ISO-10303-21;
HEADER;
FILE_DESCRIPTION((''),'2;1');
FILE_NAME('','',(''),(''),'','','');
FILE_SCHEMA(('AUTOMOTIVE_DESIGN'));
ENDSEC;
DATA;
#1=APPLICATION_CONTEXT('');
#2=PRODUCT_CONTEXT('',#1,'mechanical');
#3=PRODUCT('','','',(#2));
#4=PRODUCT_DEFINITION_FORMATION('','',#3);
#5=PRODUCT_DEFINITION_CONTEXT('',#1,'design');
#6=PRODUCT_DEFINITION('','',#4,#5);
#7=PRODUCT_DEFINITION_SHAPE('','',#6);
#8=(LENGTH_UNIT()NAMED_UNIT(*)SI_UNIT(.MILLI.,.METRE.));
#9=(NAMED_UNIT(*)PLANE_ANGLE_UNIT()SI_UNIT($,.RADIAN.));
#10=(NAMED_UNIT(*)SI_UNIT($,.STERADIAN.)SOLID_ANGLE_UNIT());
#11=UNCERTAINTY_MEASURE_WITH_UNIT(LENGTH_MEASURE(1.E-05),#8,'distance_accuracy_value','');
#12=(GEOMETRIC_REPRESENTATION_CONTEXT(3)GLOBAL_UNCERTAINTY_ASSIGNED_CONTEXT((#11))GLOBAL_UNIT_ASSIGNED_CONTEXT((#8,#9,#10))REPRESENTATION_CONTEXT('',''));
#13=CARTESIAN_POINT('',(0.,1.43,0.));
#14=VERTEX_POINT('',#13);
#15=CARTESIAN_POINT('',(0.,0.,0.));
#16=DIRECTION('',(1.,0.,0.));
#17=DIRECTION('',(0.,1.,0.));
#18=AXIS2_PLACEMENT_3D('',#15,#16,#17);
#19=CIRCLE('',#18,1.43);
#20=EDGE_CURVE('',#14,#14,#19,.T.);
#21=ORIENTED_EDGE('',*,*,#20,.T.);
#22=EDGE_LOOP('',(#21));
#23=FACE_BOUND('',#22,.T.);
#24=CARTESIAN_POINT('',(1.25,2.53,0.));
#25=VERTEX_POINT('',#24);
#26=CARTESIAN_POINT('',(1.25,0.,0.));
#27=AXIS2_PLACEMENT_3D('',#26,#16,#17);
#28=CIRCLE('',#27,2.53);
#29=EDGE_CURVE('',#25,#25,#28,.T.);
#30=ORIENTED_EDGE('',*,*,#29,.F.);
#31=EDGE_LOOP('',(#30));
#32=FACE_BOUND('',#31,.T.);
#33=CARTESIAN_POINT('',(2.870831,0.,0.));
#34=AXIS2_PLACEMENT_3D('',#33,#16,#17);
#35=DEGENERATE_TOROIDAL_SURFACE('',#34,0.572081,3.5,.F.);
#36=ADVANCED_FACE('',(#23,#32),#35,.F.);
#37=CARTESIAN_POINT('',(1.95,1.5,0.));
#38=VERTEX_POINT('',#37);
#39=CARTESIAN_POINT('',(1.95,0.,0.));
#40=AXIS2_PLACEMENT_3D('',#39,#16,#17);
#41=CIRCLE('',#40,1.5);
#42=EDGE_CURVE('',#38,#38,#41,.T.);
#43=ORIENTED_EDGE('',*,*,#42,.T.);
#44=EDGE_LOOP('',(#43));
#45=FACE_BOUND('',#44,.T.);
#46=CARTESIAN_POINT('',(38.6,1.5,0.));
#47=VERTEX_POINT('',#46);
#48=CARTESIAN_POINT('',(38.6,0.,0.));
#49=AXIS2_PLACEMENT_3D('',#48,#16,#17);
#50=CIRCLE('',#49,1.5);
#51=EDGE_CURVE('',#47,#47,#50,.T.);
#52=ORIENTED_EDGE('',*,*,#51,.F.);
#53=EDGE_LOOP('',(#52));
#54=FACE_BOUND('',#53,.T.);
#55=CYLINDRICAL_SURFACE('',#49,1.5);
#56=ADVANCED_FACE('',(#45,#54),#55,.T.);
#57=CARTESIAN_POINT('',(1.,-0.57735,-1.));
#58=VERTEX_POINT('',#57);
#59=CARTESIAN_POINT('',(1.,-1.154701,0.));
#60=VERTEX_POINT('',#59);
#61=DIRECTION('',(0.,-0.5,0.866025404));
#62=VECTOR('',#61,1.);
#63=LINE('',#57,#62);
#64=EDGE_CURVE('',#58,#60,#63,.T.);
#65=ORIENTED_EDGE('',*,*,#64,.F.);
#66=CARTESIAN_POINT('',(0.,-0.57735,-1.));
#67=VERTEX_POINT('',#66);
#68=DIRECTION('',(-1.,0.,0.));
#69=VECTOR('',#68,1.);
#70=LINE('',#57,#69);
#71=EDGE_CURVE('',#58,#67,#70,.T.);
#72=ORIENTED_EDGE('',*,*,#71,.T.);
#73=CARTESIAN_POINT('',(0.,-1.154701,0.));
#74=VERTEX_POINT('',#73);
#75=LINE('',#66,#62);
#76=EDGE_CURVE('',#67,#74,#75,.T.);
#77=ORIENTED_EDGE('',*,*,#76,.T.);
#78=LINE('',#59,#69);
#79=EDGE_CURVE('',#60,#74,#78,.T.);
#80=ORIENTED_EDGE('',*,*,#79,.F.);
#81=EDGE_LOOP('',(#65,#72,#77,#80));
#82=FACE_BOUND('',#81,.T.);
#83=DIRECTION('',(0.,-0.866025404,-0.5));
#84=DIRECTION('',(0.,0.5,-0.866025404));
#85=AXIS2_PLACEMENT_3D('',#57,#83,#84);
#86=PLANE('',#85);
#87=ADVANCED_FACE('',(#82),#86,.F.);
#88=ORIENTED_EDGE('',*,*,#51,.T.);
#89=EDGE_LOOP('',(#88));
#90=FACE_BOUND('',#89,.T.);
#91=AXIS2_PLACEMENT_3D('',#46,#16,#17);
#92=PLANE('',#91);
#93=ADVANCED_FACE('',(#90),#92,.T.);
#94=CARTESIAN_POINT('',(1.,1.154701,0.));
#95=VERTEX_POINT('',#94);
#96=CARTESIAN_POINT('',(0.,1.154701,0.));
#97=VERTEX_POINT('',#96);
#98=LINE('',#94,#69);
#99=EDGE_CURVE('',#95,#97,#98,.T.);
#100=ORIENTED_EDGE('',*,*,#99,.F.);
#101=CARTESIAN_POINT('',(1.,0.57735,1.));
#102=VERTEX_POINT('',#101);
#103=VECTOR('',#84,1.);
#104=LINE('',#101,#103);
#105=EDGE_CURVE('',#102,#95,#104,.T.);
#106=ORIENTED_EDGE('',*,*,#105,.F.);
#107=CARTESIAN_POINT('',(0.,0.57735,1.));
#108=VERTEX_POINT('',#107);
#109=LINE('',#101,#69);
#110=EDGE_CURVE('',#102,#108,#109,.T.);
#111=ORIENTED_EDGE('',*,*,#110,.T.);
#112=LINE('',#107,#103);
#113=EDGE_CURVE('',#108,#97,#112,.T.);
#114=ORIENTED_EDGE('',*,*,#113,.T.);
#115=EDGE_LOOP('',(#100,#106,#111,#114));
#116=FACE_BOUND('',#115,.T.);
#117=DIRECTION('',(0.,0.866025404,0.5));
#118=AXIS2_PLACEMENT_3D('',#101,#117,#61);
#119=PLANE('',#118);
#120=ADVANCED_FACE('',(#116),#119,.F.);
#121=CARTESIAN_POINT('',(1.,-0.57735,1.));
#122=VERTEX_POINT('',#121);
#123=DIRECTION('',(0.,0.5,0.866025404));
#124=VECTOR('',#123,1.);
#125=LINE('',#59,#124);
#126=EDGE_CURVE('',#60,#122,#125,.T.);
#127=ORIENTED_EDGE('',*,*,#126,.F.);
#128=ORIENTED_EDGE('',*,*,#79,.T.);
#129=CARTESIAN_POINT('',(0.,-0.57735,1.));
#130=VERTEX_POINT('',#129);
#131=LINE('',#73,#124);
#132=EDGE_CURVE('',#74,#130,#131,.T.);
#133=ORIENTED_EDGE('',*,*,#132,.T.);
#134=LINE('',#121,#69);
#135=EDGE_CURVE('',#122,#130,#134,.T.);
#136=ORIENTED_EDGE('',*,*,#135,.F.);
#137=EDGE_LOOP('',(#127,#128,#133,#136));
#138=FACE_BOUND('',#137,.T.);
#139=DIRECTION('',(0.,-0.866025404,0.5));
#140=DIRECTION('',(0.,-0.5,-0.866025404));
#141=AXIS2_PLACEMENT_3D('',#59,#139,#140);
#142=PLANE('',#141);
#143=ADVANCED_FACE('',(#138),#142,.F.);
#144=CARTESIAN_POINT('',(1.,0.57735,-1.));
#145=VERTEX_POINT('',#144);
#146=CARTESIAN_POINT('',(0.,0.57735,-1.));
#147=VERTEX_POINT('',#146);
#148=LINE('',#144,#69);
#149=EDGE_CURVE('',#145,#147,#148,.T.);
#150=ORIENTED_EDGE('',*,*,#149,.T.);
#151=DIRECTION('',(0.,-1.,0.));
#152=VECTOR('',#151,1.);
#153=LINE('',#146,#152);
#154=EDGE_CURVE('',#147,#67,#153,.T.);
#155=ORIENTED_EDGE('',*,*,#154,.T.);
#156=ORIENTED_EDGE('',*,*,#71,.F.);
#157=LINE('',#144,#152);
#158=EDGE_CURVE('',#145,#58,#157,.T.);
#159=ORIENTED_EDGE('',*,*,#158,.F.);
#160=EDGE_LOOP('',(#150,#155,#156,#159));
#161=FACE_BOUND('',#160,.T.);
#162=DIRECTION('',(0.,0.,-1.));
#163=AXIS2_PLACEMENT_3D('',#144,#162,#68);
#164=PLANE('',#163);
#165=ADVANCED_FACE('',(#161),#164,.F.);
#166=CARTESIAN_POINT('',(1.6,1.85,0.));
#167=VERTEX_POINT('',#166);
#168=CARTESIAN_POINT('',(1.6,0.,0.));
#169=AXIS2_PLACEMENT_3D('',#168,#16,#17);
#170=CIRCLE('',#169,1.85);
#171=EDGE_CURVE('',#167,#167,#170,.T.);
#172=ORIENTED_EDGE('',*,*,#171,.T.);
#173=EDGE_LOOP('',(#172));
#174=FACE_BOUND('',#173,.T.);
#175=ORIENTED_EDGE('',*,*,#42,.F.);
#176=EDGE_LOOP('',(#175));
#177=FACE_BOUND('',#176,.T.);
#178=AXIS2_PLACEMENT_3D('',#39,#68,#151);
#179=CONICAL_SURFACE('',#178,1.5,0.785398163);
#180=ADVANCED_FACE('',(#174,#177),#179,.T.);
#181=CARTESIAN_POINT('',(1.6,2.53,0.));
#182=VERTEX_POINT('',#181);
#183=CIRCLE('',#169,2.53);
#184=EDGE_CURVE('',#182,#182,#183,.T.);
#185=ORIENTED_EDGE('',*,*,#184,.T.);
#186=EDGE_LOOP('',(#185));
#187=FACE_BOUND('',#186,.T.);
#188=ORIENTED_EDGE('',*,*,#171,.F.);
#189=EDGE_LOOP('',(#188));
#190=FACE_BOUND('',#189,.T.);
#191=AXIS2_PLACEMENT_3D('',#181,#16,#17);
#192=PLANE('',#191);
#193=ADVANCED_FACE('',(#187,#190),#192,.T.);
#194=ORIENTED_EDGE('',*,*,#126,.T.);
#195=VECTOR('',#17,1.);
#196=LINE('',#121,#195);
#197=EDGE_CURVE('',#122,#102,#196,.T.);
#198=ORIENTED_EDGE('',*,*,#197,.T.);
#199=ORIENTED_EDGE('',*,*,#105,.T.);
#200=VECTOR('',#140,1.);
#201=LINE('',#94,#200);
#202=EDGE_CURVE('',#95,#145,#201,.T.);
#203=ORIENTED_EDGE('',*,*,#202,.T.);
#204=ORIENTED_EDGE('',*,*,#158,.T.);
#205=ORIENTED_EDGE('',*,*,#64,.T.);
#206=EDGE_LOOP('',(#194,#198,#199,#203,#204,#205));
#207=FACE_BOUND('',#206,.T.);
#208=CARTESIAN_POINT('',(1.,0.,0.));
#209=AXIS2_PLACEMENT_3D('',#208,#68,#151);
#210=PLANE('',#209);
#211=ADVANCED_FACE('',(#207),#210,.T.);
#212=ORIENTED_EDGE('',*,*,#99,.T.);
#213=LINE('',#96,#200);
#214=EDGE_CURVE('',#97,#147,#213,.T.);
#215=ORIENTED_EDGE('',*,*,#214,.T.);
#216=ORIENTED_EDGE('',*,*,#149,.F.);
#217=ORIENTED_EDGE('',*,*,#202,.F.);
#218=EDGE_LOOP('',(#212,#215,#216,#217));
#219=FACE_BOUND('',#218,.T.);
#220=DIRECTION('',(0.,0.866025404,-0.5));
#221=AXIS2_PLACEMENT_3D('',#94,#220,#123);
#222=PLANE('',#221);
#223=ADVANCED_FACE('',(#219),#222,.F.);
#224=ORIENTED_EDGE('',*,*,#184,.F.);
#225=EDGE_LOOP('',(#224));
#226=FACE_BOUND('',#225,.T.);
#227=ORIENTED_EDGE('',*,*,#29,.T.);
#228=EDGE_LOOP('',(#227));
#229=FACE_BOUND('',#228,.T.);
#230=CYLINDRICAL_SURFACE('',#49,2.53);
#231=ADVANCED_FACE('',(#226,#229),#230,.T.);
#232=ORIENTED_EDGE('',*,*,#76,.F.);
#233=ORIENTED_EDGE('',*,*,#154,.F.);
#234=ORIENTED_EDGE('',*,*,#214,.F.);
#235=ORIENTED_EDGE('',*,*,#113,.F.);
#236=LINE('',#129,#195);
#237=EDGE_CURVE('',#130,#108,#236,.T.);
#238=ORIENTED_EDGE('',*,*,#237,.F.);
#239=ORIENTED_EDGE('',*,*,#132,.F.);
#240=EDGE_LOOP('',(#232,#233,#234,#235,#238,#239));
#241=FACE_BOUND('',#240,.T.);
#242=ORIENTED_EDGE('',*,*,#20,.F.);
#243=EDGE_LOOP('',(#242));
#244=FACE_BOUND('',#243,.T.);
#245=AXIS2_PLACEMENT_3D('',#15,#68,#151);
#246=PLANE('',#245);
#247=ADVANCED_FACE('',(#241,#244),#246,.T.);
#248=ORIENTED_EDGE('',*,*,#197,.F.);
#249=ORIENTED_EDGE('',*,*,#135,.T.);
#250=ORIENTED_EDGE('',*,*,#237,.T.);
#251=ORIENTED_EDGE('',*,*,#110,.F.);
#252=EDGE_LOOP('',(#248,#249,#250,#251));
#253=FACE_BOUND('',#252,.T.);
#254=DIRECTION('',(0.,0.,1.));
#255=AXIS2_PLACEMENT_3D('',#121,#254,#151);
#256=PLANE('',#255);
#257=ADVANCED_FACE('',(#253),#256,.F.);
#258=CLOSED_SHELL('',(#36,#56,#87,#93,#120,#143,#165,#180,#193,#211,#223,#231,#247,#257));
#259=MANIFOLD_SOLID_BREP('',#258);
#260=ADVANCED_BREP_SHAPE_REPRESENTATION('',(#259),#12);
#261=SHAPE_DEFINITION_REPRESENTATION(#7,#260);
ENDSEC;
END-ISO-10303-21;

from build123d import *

# Parameters (mm, degrees)
CUT_EXTRUDE1_DEPTH = 1


with BuildPart() as part:
    # Sketch2 → Revolve1 (revolve)
    with BuildSketch(Plane.XY):
        with BuildLine():
            Line((0, 0), (0, 1.43))
            ThreePointArc((0, 1.43), (0.558633593, 2.055416372), (1.25, 2.53))
            Line((1.25, 2.53), (1.6, 2.53))
            Line((1.6, 2.53), (1.6, 1.85))
            Line((1.6, 1.85), (1.95, 1.5))
            Line((1.95, 1.5), (38.6, 1.5))
            Line((38.6, 1.5), (38.6, 0))
            Line((38.6, 0), (0, 0))
        make_face()
    revolve(axis=Axis((38.6, 0, 0), (-1, 0, 0)))

    # Sketch3 → Cut-Extrude1 (cut)
    with BuildSketch(Plane.ZY):
        Polygon((0, 1.154700538), (-1, 0.577350269), (-1, -0.577350269), (0, -1.154700538), (1, -0.577350269), (1, 0.577350269), align=None)
    extrude(amount=-CUT_EXTRUDE1_DEPTH, mode=Mode.SUBTRACT)


solid = part.part
